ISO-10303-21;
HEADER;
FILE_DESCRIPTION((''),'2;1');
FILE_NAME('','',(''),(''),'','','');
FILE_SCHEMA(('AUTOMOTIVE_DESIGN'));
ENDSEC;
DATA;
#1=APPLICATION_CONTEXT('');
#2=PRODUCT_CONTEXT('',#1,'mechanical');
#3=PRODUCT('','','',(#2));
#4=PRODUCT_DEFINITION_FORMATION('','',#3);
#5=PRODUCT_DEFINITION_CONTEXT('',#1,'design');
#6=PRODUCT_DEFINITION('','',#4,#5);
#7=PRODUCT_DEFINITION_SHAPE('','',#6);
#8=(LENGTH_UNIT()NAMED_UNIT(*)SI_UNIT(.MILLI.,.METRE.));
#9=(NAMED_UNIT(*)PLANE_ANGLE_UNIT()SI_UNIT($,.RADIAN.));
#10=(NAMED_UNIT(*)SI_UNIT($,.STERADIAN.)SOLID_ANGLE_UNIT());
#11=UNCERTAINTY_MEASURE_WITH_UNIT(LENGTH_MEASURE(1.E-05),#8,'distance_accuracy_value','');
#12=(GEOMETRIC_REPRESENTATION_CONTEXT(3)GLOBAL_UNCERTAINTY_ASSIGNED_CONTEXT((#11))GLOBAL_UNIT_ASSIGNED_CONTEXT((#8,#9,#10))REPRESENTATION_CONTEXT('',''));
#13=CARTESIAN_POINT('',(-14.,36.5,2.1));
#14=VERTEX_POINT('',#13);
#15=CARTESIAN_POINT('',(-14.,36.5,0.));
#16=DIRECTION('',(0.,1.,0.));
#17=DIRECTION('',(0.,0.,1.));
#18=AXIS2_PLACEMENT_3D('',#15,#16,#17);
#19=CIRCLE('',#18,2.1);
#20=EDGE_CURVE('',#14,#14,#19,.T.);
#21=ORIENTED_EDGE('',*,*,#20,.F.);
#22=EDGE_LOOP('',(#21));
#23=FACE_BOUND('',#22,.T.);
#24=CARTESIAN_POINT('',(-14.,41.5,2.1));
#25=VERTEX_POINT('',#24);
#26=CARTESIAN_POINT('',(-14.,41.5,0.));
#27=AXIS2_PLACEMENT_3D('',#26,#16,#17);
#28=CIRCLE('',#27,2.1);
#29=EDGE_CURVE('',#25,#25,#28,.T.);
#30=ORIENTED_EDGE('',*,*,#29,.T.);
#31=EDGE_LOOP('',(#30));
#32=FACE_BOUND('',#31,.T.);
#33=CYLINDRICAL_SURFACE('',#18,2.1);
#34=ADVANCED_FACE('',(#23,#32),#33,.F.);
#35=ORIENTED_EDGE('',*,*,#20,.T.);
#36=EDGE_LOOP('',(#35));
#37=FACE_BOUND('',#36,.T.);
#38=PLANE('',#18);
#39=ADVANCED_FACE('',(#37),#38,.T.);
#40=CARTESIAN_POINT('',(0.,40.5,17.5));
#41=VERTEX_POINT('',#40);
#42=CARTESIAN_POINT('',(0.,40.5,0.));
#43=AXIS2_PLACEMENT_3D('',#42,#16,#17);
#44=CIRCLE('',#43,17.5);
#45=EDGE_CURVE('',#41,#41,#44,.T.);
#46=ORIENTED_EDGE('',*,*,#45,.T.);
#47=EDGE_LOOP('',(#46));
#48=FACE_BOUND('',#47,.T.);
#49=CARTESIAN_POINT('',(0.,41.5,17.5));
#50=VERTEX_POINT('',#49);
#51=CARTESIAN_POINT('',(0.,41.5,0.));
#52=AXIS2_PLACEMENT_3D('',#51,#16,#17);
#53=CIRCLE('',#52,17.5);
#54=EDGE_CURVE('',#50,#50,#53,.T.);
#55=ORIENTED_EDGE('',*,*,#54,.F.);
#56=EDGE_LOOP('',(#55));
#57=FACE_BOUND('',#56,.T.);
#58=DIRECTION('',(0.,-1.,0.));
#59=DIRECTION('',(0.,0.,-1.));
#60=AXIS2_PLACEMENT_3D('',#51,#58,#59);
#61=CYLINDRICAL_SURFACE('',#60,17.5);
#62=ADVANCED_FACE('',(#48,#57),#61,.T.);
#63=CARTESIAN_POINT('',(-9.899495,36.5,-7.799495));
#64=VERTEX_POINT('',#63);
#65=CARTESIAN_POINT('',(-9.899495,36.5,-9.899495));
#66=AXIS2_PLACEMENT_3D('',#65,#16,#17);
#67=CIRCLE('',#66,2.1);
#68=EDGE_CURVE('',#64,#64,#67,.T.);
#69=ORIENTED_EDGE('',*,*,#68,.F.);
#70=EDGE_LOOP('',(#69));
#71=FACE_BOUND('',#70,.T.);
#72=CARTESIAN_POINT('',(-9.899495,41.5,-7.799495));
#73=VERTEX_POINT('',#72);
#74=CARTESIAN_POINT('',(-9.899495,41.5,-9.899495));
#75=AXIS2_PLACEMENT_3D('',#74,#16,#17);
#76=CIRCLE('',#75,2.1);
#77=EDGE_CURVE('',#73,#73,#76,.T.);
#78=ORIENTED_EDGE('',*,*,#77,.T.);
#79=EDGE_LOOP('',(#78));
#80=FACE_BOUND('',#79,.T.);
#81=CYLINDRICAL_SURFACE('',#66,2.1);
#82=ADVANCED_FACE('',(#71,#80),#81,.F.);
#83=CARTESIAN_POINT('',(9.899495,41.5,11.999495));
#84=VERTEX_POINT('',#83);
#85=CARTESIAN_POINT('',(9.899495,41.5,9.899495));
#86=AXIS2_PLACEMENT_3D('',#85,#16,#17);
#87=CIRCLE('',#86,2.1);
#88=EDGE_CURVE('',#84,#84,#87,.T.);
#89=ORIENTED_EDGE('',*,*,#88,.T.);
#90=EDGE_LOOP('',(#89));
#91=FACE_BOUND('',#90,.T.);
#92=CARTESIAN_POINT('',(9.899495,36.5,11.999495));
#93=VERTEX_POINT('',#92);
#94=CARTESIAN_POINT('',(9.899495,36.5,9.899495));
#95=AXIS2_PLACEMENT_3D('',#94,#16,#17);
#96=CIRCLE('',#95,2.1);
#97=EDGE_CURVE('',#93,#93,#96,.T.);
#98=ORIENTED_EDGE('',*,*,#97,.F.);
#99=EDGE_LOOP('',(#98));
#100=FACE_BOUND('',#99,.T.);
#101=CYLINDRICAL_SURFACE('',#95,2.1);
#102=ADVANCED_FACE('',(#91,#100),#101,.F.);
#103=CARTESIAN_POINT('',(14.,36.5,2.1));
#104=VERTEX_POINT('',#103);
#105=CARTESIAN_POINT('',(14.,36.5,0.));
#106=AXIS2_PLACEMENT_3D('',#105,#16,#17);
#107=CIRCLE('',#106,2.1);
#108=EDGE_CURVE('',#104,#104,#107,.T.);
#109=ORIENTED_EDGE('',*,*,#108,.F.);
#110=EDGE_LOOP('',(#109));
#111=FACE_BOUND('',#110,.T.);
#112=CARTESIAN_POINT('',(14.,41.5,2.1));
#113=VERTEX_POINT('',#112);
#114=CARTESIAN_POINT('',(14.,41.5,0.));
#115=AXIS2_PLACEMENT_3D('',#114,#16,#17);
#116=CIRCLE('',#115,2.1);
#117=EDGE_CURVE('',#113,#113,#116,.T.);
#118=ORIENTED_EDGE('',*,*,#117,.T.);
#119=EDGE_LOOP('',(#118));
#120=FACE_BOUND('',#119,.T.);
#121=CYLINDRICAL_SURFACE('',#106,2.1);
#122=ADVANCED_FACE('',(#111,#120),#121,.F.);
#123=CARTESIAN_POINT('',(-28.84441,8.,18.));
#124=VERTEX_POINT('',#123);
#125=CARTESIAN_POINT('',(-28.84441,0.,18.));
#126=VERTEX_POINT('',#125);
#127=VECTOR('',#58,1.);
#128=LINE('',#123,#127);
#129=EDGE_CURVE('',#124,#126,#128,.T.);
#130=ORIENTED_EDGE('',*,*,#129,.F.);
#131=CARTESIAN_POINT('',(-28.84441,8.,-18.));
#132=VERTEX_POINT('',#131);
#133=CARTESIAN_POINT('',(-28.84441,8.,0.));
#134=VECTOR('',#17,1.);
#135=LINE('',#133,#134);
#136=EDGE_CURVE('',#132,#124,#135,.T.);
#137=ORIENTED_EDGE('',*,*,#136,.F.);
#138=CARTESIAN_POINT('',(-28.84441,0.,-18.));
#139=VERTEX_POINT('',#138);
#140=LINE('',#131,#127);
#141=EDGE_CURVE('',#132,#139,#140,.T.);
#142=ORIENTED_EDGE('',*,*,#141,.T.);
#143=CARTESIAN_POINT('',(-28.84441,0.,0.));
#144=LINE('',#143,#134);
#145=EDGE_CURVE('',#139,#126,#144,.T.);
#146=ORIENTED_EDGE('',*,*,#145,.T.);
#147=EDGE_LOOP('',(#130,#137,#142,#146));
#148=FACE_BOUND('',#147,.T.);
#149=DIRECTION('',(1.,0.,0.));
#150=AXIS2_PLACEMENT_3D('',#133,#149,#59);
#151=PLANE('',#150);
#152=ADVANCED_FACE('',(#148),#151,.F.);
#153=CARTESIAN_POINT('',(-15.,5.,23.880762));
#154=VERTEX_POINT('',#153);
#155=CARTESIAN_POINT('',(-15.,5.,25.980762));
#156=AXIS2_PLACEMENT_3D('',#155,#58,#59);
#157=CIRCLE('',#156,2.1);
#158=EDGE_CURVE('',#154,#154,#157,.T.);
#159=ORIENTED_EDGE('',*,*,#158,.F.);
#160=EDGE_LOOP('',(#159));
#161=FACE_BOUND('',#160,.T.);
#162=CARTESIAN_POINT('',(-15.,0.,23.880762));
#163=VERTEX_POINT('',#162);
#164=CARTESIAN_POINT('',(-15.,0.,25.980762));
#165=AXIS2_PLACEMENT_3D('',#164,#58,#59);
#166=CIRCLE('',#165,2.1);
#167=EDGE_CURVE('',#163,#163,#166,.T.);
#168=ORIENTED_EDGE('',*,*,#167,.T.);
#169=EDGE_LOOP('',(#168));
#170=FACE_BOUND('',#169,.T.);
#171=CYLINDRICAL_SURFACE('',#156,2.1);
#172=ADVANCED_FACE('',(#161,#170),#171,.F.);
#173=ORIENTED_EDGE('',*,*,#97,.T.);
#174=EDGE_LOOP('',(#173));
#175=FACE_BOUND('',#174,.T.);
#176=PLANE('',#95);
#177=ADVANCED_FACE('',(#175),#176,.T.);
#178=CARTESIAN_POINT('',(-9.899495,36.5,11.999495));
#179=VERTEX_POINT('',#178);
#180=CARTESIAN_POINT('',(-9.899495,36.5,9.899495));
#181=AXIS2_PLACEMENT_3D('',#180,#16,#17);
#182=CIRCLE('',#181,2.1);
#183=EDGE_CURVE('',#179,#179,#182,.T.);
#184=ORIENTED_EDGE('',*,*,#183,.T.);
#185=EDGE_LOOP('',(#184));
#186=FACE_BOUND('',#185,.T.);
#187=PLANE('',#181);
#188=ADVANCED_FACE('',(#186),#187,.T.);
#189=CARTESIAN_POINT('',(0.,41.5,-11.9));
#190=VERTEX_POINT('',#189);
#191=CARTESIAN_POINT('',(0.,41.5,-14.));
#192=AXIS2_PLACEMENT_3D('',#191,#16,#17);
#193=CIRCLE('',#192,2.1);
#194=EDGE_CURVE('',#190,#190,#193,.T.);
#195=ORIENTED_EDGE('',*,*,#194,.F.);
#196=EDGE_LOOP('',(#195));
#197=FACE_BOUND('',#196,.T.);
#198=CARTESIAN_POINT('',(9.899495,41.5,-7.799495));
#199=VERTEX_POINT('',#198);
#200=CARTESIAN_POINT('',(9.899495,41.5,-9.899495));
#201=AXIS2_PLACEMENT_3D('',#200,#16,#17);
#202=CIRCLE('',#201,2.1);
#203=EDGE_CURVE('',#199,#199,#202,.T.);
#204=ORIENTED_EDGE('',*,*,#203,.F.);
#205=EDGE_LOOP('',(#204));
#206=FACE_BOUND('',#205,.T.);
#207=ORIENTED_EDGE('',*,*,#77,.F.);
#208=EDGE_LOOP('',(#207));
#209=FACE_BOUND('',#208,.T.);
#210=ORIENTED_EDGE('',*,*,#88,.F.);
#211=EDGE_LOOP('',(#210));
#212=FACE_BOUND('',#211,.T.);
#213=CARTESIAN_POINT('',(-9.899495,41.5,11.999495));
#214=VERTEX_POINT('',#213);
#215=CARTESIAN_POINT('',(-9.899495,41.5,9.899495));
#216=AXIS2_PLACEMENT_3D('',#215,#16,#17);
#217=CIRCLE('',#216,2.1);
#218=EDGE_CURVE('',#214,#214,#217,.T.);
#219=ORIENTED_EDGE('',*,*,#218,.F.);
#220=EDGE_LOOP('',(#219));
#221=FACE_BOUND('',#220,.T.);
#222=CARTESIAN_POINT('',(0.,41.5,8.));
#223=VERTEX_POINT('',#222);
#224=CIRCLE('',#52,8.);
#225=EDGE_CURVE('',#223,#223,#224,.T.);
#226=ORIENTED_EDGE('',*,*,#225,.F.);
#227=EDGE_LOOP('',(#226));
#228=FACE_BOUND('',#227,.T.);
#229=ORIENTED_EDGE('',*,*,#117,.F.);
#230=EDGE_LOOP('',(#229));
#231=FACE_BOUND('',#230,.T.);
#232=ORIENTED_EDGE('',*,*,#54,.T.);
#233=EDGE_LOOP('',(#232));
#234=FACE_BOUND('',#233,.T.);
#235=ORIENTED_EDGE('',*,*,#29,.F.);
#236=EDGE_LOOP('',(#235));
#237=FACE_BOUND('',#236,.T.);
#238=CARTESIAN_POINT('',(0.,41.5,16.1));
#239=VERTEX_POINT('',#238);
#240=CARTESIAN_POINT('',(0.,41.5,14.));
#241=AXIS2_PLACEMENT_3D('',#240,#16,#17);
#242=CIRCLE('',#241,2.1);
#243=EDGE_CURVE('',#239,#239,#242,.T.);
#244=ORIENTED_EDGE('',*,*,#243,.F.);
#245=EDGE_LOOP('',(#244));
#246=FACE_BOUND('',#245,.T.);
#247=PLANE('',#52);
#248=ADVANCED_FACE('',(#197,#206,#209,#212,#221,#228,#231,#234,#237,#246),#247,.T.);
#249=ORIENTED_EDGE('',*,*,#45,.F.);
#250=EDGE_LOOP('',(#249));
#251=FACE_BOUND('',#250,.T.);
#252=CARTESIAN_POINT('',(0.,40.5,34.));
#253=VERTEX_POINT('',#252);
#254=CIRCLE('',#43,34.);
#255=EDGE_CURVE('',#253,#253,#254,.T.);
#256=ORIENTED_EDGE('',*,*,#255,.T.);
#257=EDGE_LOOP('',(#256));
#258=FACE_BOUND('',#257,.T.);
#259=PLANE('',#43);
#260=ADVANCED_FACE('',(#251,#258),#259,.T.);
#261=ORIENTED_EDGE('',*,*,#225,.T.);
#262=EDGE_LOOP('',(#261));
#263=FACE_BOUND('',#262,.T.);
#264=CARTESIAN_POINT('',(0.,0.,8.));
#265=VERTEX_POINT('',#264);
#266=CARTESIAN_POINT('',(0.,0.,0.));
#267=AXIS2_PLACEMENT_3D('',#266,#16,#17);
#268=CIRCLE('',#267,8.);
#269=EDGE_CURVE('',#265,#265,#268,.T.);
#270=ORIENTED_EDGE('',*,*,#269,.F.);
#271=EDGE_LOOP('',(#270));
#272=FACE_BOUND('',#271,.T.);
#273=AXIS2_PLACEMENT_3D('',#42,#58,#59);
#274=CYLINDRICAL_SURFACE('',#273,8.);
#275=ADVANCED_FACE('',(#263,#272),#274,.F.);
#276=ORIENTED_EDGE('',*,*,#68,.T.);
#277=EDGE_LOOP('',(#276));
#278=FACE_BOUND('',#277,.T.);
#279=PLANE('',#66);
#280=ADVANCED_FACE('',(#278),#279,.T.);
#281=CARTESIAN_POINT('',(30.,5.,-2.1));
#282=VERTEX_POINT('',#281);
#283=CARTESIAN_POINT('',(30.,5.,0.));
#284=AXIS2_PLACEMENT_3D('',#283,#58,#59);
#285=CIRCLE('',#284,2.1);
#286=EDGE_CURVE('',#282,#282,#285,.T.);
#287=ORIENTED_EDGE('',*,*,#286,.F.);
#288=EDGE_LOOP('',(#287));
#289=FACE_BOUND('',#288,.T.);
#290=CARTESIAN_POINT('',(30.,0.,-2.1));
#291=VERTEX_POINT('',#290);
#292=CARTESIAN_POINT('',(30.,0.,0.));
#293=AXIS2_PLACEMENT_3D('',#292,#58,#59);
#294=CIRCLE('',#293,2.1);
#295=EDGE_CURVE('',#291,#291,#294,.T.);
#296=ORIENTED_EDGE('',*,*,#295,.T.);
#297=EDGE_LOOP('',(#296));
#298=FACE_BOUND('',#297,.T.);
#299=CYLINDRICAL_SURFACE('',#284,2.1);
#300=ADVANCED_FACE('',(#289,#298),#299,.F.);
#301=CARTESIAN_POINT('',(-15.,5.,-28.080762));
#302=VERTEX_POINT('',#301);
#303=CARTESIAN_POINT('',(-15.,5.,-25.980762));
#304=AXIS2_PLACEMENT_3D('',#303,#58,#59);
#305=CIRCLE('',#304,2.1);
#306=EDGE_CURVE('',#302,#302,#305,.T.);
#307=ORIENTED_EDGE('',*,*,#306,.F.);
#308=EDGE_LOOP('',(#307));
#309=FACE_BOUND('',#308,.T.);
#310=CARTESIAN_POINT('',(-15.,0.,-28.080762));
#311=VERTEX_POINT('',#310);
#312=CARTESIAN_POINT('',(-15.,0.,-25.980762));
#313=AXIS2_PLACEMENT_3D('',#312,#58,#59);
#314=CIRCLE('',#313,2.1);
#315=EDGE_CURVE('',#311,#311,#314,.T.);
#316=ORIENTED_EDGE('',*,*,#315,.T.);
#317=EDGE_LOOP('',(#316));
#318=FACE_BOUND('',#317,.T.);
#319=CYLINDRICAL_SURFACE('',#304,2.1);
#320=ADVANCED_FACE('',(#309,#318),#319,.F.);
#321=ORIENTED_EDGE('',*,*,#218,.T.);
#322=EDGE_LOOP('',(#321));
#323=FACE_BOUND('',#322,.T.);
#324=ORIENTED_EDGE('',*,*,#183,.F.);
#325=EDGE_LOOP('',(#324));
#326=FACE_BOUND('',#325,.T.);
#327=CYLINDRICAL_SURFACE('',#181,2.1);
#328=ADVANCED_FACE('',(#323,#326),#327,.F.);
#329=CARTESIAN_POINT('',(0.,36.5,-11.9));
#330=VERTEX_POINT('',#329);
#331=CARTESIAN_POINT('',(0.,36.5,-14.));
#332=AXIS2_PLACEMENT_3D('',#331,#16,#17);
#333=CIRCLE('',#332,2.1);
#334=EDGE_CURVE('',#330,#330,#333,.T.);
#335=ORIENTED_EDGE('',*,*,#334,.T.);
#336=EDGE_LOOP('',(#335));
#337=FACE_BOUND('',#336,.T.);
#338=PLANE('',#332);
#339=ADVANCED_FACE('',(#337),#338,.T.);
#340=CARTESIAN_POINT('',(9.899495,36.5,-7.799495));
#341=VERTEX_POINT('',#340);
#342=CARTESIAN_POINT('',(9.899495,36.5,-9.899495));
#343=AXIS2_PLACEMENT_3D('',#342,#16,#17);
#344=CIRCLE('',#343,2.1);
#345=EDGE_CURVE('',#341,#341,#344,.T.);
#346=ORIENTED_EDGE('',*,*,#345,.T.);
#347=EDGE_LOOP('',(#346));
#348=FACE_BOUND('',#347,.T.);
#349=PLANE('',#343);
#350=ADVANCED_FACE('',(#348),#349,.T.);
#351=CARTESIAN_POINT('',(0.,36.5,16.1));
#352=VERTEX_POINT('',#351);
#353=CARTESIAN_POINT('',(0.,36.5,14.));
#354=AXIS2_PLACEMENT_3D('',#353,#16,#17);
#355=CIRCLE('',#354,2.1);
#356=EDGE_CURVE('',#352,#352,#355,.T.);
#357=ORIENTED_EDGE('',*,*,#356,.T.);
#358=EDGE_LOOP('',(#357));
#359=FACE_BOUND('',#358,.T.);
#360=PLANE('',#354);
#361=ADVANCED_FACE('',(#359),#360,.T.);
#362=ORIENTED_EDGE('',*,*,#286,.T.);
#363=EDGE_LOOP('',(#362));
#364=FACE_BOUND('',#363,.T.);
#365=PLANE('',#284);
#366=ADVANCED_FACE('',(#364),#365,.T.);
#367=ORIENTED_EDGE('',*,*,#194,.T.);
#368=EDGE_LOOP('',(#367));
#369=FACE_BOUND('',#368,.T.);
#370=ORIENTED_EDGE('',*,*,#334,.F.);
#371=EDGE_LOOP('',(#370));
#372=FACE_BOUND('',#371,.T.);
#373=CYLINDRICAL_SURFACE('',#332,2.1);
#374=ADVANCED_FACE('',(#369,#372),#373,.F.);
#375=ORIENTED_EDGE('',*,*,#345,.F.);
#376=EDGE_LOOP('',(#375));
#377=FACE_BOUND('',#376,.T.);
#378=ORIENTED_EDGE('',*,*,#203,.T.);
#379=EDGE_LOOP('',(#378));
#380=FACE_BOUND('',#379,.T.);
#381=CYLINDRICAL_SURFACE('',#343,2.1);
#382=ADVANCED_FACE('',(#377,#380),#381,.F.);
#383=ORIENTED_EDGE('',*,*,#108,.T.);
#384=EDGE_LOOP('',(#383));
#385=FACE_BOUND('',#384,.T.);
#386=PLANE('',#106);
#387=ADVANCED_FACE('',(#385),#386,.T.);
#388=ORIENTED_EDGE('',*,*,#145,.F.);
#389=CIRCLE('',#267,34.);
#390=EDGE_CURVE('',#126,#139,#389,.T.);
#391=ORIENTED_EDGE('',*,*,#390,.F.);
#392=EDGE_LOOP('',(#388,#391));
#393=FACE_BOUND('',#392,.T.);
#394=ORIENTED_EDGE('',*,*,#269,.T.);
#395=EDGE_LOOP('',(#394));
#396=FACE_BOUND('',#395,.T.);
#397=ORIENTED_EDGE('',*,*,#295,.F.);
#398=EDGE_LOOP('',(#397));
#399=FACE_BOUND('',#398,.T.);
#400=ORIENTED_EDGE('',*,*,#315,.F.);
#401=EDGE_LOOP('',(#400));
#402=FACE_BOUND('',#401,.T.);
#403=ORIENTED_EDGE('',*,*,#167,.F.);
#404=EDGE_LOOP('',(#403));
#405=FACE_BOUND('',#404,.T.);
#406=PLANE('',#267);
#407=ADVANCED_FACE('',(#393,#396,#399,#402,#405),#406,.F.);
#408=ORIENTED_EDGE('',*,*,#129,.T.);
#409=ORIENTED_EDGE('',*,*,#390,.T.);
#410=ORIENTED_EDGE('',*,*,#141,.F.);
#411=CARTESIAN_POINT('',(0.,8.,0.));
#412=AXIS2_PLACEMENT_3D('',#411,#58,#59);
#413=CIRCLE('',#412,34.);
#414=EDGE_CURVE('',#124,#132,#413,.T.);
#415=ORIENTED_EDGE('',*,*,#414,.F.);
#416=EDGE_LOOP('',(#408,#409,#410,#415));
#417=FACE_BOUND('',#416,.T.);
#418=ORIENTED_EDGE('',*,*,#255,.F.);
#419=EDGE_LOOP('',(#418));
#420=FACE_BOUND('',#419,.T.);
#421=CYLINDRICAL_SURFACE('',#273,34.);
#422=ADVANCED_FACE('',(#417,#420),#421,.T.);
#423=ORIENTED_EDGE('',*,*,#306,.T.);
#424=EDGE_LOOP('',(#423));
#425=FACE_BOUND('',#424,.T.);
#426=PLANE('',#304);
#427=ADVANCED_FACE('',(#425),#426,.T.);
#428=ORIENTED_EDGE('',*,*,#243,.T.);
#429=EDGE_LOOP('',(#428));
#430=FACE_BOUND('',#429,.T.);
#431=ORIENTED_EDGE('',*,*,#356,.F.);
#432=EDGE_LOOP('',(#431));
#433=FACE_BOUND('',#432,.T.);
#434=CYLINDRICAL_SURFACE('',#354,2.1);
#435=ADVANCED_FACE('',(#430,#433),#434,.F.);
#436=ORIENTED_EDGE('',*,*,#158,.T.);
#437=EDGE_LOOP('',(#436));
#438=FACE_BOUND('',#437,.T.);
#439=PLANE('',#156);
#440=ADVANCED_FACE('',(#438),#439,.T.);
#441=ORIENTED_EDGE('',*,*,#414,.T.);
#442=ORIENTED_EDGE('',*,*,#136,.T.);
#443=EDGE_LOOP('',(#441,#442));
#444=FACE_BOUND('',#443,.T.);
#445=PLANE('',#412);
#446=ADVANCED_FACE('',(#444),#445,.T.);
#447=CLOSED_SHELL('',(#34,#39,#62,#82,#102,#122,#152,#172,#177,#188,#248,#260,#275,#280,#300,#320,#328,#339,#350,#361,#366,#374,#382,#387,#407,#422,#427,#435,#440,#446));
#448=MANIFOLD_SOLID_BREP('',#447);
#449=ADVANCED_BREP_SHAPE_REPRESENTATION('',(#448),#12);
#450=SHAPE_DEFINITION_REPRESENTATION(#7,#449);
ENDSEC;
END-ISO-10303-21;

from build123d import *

# Parameters (mm, degrees)
SKETCH_1_R          = 34
SKETCH_1_R_2        = 8
EXTRUDE_1_DEPTH     = 40.5
SKETCH_2_R          = 17.5
SKETCH_2_R_2        = 8
EXTRUDE_2_DEPTH     = 1
SKETCH_3_R          = 2.1
CUT_EXTRUDE_1_DEPTH = 5
CUT_EXTRUDE_2_DEPTH = 8
SKETCH_5_R          = 2.1
CUT_EXTRUDE_3_DEPTH = 5


with BuildPart() as part:
    # 草图1 → 凸台-拉伸1 (new body)
    with BuildSketch(Plane(origin=(0, 0, 0), x_dir=(1, 0, 0), z_dir=(0, 1, 0))):
        with Locations(Location((0, 0, 0), (0, 0, 270))):
            Circle(SKETCH_1_R)
        with Locations(Location((0, 0, 0), (0, 0, 270))):
            Circle(SKETCH_1_R_2, mode=Mode.SUBTRACT)
    extrude(amount=EXTRUDE_1_DEPTH)

    # 草图2 → 凸台-拉伸2 (add)
    with BuildSketch(Plane(origin=(0, 40.5, 0), x_dir=(1, 0, 0), z_dir=(0, 1, 0))):
        with Locations(Location((0, 0, 0), (0, 0, 270))):
            Circle(SKETCH_2_R)
        with Locations(Location((0, 0, 0), (0, 0, 270))):
            Circle(SKETCH_2_R_2, mode=Mode.SUBTRACT)
    extrude(amount=EXTRUDE_2_DEPTH)

    # 草图3 → 切除-拉伸1 (cut)
    with BuildSketch(Plane(origin=(0, 41.5, 0), x_dir=(1, 0, 0), z_dir=(0, 1, 0))):
        with Locations(Location((14, 0, 0), (0, 0, 270))):
            Circle(SKETCH_3_R)
        with Locations(Location((9.899494937, -9.899494937, 0), (0, 0, 270))):
            Circle(SKETCH_3_R)
        with Locations(Location((0, -14, 0), (0, 0, 270))):
            Circle(SKETCH_3_R)
        with Locations(Location((-9.899494937, -9.899494937, 0), (0, 0, 270))):
            Circle(SKETCH_3_R)
        with Locations(Location((-14, 0, 0), (0, 0, 270))):
            Circle(SKETCH_3_R)
        with Locations(Location((-9.899494937, 9.899494937, 0), (0, 0, 270))):
            Circle(SKETCH_3_R)
        with Locations(Location((0, 14, 0), (0, 0, 270))):
            Circle(SKETCH_3_R)
        with Locations(Location((9.899494937, 9.899494937, 0), (0, 0, 270))):
            Circle(SKETCH_3_R)
    extrude(amount=-CUT_EXTRUDE_1_DEPTH, mode=Mode.SUBTRACT)

    # 草图4 → 切除-拉伸2 (cut)
    with BuildSketch(Plane(origin=(0, 0, 0), x_dir=(-1, 0, 0), z_dir=(0, -1, 0))):
        Polygon((28.844410204, 191.136996342), (28.844410204, 18), (28.844410204, -18), (28.844410204, -191.136996342), (375.118402887, -191.136996342), (375.118402887, 191.136996342), align=None)
    extrude(amount=-CUT_EXTRUDE_2_DEPTH, mode=Mode.SUBTRACT)

    # 草图5 → 切除-拉伸3 (cut)
    with BuildSketch(Plane(origin=(0, 0, 0), x_dir=(-1, 0, 0), z_dir=(0, -1, 0))):
        with Locations(Location((-30, 0, 0), (0, 0, 90))):
            Circle(SKETCH_5_R)
        with Locations(Location((15, 25.980762114, 0), (0, 0, 90))):
            Circle(SKETCH_5_R)
        with Locations(Location((15, -25.980762114, 0), (0, 0, 90))):
            Circle(SKETCH_5_R)
    extrude(amount=-CUT_EXTRUDE_3_DEPTH, mode=Mode.SUBTRACT)


solid = part.part
